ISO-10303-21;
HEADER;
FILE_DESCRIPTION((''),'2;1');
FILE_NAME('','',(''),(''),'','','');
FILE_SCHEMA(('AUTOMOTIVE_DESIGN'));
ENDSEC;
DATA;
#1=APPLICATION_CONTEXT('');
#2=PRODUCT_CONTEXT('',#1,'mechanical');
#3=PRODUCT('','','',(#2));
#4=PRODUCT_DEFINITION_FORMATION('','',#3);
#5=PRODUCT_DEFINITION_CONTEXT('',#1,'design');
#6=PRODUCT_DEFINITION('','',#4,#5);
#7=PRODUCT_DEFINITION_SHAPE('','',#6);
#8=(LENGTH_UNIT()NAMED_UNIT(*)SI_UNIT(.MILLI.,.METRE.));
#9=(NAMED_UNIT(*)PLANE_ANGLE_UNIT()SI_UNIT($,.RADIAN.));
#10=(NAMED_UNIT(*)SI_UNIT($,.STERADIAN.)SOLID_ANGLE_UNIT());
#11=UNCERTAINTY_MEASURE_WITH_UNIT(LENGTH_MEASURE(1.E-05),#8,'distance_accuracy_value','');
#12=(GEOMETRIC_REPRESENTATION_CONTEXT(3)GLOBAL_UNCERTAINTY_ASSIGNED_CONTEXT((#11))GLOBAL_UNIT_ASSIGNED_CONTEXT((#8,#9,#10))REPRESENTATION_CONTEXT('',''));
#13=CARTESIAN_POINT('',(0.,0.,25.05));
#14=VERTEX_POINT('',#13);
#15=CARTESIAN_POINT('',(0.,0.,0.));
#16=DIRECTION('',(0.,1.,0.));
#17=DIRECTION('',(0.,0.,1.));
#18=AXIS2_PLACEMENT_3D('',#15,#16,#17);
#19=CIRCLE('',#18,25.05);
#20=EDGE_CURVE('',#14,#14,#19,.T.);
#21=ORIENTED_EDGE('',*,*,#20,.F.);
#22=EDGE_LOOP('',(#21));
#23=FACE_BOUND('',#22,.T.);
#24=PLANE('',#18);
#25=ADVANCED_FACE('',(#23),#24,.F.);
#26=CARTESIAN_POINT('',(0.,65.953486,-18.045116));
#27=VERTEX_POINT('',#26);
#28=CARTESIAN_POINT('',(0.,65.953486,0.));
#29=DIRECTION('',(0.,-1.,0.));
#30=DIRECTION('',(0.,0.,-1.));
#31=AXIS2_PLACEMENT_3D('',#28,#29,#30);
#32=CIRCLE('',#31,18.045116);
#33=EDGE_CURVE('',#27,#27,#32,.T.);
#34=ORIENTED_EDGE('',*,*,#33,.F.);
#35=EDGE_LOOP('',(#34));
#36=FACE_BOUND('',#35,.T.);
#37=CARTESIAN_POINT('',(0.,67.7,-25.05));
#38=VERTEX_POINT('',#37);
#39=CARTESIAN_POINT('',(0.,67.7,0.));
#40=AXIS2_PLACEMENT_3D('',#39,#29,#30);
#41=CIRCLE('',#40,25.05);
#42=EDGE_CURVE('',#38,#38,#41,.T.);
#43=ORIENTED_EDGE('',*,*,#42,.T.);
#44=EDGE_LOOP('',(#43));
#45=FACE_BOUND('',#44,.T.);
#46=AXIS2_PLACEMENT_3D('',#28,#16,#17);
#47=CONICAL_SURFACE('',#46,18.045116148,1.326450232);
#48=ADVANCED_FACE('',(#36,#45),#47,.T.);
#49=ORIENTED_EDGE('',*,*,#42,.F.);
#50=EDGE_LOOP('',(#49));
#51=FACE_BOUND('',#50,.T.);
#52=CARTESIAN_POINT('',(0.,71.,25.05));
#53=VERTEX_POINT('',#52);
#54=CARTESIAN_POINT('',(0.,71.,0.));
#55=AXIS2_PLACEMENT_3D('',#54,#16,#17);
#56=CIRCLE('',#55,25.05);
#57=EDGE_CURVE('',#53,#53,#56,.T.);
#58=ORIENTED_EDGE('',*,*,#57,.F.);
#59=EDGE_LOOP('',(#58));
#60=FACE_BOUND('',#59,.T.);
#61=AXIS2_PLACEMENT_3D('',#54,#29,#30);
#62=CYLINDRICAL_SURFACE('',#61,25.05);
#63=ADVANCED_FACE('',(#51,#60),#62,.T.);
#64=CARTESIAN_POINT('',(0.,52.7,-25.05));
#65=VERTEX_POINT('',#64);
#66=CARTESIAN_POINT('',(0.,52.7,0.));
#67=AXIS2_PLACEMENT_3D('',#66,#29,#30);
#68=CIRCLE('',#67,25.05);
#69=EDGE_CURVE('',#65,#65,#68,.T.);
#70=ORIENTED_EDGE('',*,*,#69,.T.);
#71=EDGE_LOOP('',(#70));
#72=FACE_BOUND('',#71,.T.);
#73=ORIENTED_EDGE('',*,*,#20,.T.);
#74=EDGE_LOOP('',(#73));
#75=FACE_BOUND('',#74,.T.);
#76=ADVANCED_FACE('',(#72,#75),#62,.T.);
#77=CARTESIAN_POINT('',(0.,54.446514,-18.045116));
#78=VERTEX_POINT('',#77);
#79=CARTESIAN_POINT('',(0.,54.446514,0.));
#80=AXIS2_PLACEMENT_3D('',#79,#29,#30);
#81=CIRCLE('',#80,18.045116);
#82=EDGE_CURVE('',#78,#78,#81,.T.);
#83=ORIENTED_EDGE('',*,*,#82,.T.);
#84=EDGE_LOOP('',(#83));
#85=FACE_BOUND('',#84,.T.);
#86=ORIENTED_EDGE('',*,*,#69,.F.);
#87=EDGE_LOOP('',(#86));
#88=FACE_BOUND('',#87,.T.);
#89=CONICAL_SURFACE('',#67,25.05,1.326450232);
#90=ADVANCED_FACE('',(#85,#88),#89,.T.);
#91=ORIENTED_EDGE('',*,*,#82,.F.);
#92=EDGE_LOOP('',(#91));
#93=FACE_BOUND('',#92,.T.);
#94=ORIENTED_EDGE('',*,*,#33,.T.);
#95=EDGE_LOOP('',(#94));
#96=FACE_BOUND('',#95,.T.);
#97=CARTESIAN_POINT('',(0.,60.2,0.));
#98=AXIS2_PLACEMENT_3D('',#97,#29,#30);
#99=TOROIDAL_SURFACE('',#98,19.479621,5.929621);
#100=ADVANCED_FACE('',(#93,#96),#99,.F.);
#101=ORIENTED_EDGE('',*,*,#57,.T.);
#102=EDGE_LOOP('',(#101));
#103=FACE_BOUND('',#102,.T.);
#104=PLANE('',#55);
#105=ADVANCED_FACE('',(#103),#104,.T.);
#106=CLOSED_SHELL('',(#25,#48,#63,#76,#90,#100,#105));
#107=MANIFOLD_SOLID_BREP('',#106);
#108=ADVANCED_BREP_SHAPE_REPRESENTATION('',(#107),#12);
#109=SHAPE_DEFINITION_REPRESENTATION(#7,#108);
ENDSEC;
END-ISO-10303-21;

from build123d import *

# Parameters (mm, degrees)
SKETCH1_R           = 25.05
BOSS_EXTRUDE1_DEPTH = 71


with BuildPart() as part:
    # Sketch1 → Boss-Extrude1 (new body)
    with BuildSketch(Plane(origin=(0, 0, 0), x_dir=(1, 0, 0), z_dir=(0, 1, 0))):
        Circle(SKETCH1_R)
    extrude(amount=BOSS_EXTRUDE1_DEPTH)

    # Sketch2 → Cut-Revolve1 (revolve, cut)
    with BuildSketch(Plane.XY):
        with BuildLine():
            Line((-25.05, 67.7), (-18.045116148, 65.953486299))
            ThreePointArc((-18.045116148, 65.953486299), (-13.55, 60.2), (-18.045116148, 54.446513701))
            Line((-18.045116148, 54.446513701), (-25.05, 52.7))
            Line((-25.05, 52.7), (-25.05, 67.7))
        make_face()
    revolve(axis=Axis((0, -3.55, 0), (0, 1, 0)), mode=Mode.SUBTRACT)


solid = part.part
